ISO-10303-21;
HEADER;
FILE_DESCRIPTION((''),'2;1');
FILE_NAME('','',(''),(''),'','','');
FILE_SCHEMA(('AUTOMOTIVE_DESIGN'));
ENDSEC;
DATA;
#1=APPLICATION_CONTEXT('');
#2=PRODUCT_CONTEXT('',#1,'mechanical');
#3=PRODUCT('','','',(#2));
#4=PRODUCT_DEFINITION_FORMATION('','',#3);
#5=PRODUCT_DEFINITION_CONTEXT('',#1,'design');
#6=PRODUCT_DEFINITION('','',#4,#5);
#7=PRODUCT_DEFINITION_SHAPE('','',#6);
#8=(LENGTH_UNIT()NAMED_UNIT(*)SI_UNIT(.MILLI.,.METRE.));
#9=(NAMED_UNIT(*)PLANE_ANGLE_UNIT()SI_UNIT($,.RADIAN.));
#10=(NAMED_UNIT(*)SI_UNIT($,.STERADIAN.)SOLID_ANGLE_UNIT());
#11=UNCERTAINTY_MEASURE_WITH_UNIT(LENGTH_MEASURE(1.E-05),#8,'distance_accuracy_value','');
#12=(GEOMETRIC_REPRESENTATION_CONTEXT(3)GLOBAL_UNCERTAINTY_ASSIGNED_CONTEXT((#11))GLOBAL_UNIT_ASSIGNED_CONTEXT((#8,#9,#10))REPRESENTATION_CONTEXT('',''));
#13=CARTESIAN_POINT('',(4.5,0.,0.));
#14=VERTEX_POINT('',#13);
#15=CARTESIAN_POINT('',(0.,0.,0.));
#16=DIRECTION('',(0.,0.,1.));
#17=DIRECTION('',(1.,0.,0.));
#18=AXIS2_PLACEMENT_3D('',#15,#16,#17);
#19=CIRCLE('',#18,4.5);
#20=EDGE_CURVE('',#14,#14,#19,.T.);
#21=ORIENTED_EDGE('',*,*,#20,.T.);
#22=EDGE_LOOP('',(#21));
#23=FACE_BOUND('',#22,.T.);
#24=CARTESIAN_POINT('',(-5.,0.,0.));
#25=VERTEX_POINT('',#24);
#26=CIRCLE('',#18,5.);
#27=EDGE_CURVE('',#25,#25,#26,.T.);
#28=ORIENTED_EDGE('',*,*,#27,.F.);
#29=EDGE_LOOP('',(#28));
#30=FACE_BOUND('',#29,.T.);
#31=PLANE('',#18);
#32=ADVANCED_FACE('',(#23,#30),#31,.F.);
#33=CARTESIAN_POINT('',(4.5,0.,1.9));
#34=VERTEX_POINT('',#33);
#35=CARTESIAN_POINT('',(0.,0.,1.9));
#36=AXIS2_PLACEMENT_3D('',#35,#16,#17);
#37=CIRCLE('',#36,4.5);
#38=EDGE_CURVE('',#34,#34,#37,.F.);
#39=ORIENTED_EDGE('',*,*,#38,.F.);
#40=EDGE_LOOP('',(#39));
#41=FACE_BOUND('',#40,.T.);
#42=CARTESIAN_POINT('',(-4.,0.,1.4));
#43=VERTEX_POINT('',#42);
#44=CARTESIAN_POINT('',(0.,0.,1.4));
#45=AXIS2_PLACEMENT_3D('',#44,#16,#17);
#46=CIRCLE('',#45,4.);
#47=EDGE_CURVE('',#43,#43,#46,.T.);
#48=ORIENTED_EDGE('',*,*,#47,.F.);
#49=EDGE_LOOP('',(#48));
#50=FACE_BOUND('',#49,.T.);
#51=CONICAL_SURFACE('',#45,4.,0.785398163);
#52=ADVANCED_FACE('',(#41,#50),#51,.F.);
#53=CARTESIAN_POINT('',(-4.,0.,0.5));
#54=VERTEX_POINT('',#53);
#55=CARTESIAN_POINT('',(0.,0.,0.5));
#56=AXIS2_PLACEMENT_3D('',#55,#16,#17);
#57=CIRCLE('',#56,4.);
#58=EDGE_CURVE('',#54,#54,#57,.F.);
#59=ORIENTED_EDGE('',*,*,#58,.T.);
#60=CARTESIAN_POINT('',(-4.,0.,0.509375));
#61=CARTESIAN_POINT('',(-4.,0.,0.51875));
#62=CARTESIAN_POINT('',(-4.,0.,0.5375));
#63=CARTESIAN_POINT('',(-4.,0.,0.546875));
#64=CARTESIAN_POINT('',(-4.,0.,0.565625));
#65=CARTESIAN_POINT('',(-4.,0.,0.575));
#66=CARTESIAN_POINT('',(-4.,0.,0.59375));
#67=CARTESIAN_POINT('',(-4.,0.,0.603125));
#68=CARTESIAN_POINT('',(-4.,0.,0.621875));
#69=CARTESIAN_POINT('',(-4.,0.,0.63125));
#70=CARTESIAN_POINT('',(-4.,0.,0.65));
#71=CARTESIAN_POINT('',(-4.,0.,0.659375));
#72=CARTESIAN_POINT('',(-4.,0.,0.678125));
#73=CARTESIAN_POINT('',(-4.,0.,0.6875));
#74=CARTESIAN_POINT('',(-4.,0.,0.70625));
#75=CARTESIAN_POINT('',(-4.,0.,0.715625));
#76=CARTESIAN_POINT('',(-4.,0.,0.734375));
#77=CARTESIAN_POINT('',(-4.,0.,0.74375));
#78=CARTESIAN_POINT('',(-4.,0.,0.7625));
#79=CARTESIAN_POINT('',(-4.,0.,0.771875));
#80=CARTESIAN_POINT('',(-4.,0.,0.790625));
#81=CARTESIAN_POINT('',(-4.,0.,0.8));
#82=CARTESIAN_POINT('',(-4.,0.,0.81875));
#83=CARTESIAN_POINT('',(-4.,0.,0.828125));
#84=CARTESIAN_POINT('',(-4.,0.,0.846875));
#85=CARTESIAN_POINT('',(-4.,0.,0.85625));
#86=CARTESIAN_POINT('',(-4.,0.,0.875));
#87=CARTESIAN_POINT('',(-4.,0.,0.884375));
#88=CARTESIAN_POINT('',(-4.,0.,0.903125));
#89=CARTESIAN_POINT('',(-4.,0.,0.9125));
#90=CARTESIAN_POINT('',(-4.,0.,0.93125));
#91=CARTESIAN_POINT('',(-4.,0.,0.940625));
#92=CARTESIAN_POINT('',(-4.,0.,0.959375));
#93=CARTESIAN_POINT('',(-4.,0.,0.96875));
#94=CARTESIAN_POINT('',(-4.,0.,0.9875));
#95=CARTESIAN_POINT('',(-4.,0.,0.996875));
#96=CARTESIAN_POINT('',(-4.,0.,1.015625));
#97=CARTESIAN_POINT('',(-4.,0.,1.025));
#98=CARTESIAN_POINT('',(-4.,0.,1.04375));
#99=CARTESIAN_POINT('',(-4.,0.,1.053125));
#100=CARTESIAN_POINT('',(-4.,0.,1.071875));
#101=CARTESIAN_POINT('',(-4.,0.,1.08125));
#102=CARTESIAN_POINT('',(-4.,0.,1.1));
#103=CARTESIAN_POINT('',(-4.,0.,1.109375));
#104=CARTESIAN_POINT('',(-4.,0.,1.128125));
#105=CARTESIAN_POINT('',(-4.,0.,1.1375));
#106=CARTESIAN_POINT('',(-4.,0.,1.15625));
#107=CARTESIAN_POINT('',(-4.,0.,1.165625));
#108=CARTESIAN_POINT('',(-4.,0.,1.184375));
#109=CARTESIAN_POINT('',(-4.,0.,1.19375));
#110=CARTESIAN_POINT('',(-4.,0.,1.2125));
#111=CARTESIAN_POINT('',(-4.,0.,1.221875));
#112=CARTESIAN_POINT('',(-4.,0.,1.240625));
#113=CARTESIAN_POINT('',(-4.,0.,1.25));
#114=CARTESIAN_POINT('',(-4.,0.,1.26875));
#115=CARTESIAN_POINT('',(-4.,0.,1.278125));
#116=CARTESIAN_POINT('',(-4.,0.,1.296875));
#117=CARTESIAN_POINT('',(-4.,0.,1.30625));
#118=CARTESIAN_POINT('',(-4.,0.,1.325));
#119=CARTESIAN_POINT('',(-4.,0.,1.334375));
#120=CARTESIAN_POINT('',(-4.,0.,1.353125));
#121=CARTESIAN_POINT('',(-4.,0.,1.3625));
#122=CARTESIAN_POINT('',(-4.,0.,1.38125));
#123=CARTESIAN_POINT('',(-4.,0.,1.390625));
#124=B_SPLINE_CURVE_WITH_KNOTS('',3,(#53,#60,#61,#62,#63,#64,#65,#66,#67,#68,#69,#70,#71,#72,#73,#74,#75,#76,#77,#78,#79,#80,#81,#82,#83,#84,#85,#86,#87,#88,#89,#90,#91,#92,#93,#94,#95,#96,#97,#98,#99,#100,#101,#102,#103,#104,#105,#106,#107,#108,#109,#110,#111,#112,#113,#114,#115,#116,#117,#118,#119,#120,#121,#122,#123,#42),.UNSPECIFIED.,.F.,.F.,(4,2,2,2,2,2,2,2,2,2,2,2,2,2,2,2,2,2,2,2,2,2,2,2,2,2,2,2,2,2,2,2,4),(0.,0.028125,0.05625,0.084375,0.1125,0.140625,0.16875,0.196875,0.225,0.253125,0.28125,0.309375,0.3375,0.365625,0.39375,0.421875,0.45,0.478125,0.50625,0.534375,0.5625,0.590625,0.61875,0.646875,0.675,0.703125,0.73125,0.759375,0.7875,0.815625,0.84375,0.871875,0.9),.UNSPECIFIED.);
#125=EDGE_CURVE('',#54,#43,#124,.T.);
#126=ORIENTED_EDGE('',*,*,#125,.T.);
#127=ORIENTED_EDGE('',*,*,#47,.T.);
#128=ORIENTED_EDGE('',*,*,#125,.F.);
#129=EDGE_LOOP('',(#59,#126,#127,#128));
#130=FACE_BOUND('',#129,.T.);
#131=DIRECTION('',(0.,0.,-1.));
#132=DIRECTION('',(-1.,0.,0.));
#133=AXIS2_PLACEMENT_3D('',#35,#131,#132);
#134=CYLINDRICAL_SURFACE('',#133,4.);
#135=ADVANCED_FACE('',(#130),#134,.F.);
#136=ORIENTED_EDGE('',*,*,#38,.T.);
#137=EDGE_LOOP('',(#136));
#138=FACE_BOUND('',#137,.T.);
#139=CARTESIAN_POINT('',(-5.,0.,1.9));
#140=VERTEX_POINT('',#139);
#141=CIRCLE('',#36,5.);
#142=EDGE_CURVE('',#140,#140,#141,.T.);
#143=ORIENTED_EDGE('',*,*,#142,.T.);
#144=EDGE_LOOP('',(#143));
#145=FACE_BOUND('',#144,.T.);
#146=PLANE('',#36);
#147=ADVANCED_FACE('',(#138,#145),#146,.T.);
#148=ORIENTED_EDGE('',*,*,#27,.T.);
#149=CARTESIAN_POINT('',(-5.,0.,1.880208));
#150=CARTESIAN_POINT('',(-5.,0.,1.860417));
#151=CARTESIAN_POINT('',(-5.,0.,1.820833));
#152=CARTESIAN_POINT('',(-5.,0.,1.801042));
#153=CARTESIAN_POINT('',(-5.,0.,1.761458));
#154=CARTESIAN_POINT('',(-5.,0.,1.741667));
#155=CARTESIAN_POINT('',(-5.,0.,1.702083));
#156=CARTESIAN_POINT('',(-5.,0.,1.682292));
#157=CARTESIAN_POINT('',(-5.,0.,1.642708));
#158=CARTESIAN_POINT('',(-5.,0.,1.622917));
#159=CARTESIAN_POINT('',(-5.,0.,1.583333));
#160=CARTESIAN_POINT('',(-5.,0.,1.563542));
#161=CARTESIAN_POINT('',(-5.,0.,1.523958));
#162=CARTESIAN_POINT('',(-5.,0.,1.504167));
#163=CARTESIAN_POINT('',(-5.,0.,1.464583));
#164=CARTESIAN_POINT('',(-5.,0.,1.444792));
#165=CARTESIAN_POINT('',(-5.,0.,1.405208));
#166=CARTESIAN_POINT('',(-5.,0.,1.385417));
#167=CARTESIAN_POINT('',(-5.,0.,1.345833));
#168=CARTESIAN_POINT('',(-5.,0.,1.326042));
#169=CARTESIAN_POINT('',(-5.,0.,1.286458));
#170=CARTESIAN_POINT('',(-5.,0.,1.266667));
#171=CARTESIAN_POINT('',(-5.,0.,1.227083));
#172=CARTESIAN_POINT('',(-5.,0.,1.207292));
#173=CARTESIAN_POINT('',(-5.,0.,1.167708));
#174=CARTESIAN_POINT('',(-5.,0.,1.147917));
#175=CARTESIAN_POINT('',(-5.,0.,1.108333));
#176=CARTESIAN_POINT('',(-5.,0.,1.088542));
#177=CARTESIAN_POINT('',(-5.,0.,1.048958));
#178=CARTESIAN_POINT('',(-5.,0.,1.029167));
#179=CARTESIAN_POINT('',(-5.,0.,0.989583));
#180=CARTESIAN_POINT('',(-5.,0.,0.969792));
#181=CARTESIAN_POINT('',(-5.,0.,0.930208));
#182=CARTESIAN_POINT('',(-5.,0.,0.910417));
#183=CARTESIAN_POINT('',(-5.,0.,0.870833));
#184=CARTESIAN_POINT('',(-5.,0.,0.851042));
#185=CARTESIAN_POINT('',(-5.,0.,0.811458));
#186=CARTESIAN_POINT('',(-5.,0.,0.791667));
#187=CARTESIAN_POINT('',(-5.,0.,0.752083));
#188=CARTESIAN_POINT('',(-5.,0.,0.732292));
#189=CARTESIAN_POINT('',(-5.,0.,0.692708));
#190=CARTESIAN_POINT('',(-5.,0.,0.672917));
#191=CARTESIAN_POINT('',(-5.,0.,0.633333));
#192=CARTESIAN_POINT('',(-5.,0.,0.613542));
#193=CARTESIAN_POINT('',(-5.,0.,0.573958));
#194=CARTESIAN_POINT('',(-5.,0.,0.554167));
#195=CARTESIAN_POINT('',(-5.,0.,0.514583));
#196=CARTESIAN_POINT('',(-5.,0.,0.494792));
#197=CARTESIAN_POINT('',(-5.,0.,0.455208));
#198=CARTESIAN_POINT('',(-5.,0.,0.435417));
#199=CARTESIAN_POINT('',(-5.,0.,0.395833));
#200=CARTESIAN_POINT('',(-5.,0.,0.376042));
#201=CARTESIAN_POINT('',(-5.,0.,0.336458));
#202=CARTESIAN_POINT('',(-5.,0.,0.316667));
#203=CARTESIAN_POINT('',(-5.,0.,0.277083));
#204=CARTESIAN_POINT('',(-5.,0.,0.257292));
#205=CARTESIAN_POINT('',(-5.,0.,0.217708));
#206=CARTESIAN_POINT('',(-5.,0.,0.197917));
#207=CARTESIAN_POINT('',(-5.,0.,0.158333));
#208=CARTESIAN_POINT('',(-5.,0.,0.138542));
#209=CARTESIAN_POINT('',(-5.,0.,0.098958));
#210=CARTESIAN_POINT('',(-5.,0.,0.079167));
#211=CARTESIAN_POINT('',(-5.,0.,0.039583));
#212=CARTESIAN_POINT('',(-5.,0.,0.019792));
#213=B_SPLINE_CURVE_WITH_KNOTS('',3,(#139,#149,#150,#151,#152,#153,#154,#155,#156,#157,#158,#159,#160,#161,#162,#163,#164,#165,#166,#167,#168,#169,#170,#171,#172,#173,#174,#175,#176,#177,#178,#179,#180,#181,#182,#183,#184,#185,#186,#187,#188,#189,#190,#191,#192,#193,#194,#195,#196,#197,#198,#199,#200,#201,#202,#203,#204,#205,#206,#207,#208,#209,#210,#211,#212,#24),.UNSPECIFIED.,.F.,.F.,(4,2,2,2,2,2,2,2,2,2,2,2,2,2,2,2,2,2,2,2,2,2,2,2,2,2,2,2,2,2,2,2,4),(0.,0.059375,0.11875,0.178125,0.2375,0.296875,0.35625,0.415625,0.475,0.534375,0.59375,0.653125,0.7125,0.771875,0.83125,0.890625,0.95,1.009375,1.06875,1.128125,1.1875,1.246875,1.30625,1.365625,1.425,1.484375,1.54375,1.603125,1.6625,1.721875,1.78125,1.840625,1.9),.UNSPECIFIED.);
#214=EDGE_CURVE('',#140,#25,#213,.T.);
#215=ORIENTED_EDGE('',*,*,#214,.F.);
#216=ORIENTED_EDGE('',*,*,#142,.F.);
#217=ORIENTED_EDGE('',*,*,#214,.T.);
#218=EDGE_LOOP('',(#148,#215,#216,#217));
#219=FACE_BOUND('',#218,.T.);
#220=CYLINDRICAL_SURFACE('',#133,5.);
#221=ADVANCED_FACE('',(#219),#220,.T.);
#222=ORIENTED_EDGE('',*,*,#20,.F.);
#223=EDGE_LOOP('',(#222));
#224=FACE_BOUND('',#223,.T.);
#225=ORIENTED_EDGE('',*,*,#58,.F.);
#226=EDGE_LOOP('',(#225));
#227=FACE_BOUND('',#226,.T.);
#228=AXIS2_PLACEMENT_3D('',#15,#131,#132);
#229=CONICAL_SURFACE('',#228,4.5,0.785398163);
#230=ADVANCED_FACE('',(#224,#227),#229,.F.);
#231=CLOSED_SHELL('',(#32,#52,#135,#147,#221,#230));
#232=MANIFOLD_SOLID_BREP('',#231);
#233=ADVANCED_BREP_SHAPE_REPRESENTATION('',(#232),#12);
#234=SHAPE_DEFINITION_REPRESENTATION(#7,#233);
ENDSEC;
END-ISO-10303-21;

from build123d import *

# Parameters (mm, degrees)
SKETCH_1_R      = 5
SKETCH_1_R_2    = 4
EXTRUDE_1_DEPTH = 1.9
CHAMFER_1_SIZE  = 0.5


with BuildPart() as part:
    # 草圖1 → 伸長1 (new body)
    with BuildSketch(Plane.XY):
        with Locations(Location((0, 0, 0), (0, 0, 180))):
            Circle(SKETCH_1_R)
        with Locations(Location((0, 0, 0), (0, 0, 180))):
            Circle(SKETCH_1_R_2, mode=Mode.SUBTRACT)
    extrude(amount=EXTRUDE_1_DEPTH)

    # 導角1
    chamfer_1_edges = [part.edges().sort_by_distance(p)[0] for p in [
        (4, 0, 0),
        (4, 0, 1.9),
    ]]
    chamfer(chamfer_1_edges, length=CHAMFER_1_SIZE)


solid = part.part
